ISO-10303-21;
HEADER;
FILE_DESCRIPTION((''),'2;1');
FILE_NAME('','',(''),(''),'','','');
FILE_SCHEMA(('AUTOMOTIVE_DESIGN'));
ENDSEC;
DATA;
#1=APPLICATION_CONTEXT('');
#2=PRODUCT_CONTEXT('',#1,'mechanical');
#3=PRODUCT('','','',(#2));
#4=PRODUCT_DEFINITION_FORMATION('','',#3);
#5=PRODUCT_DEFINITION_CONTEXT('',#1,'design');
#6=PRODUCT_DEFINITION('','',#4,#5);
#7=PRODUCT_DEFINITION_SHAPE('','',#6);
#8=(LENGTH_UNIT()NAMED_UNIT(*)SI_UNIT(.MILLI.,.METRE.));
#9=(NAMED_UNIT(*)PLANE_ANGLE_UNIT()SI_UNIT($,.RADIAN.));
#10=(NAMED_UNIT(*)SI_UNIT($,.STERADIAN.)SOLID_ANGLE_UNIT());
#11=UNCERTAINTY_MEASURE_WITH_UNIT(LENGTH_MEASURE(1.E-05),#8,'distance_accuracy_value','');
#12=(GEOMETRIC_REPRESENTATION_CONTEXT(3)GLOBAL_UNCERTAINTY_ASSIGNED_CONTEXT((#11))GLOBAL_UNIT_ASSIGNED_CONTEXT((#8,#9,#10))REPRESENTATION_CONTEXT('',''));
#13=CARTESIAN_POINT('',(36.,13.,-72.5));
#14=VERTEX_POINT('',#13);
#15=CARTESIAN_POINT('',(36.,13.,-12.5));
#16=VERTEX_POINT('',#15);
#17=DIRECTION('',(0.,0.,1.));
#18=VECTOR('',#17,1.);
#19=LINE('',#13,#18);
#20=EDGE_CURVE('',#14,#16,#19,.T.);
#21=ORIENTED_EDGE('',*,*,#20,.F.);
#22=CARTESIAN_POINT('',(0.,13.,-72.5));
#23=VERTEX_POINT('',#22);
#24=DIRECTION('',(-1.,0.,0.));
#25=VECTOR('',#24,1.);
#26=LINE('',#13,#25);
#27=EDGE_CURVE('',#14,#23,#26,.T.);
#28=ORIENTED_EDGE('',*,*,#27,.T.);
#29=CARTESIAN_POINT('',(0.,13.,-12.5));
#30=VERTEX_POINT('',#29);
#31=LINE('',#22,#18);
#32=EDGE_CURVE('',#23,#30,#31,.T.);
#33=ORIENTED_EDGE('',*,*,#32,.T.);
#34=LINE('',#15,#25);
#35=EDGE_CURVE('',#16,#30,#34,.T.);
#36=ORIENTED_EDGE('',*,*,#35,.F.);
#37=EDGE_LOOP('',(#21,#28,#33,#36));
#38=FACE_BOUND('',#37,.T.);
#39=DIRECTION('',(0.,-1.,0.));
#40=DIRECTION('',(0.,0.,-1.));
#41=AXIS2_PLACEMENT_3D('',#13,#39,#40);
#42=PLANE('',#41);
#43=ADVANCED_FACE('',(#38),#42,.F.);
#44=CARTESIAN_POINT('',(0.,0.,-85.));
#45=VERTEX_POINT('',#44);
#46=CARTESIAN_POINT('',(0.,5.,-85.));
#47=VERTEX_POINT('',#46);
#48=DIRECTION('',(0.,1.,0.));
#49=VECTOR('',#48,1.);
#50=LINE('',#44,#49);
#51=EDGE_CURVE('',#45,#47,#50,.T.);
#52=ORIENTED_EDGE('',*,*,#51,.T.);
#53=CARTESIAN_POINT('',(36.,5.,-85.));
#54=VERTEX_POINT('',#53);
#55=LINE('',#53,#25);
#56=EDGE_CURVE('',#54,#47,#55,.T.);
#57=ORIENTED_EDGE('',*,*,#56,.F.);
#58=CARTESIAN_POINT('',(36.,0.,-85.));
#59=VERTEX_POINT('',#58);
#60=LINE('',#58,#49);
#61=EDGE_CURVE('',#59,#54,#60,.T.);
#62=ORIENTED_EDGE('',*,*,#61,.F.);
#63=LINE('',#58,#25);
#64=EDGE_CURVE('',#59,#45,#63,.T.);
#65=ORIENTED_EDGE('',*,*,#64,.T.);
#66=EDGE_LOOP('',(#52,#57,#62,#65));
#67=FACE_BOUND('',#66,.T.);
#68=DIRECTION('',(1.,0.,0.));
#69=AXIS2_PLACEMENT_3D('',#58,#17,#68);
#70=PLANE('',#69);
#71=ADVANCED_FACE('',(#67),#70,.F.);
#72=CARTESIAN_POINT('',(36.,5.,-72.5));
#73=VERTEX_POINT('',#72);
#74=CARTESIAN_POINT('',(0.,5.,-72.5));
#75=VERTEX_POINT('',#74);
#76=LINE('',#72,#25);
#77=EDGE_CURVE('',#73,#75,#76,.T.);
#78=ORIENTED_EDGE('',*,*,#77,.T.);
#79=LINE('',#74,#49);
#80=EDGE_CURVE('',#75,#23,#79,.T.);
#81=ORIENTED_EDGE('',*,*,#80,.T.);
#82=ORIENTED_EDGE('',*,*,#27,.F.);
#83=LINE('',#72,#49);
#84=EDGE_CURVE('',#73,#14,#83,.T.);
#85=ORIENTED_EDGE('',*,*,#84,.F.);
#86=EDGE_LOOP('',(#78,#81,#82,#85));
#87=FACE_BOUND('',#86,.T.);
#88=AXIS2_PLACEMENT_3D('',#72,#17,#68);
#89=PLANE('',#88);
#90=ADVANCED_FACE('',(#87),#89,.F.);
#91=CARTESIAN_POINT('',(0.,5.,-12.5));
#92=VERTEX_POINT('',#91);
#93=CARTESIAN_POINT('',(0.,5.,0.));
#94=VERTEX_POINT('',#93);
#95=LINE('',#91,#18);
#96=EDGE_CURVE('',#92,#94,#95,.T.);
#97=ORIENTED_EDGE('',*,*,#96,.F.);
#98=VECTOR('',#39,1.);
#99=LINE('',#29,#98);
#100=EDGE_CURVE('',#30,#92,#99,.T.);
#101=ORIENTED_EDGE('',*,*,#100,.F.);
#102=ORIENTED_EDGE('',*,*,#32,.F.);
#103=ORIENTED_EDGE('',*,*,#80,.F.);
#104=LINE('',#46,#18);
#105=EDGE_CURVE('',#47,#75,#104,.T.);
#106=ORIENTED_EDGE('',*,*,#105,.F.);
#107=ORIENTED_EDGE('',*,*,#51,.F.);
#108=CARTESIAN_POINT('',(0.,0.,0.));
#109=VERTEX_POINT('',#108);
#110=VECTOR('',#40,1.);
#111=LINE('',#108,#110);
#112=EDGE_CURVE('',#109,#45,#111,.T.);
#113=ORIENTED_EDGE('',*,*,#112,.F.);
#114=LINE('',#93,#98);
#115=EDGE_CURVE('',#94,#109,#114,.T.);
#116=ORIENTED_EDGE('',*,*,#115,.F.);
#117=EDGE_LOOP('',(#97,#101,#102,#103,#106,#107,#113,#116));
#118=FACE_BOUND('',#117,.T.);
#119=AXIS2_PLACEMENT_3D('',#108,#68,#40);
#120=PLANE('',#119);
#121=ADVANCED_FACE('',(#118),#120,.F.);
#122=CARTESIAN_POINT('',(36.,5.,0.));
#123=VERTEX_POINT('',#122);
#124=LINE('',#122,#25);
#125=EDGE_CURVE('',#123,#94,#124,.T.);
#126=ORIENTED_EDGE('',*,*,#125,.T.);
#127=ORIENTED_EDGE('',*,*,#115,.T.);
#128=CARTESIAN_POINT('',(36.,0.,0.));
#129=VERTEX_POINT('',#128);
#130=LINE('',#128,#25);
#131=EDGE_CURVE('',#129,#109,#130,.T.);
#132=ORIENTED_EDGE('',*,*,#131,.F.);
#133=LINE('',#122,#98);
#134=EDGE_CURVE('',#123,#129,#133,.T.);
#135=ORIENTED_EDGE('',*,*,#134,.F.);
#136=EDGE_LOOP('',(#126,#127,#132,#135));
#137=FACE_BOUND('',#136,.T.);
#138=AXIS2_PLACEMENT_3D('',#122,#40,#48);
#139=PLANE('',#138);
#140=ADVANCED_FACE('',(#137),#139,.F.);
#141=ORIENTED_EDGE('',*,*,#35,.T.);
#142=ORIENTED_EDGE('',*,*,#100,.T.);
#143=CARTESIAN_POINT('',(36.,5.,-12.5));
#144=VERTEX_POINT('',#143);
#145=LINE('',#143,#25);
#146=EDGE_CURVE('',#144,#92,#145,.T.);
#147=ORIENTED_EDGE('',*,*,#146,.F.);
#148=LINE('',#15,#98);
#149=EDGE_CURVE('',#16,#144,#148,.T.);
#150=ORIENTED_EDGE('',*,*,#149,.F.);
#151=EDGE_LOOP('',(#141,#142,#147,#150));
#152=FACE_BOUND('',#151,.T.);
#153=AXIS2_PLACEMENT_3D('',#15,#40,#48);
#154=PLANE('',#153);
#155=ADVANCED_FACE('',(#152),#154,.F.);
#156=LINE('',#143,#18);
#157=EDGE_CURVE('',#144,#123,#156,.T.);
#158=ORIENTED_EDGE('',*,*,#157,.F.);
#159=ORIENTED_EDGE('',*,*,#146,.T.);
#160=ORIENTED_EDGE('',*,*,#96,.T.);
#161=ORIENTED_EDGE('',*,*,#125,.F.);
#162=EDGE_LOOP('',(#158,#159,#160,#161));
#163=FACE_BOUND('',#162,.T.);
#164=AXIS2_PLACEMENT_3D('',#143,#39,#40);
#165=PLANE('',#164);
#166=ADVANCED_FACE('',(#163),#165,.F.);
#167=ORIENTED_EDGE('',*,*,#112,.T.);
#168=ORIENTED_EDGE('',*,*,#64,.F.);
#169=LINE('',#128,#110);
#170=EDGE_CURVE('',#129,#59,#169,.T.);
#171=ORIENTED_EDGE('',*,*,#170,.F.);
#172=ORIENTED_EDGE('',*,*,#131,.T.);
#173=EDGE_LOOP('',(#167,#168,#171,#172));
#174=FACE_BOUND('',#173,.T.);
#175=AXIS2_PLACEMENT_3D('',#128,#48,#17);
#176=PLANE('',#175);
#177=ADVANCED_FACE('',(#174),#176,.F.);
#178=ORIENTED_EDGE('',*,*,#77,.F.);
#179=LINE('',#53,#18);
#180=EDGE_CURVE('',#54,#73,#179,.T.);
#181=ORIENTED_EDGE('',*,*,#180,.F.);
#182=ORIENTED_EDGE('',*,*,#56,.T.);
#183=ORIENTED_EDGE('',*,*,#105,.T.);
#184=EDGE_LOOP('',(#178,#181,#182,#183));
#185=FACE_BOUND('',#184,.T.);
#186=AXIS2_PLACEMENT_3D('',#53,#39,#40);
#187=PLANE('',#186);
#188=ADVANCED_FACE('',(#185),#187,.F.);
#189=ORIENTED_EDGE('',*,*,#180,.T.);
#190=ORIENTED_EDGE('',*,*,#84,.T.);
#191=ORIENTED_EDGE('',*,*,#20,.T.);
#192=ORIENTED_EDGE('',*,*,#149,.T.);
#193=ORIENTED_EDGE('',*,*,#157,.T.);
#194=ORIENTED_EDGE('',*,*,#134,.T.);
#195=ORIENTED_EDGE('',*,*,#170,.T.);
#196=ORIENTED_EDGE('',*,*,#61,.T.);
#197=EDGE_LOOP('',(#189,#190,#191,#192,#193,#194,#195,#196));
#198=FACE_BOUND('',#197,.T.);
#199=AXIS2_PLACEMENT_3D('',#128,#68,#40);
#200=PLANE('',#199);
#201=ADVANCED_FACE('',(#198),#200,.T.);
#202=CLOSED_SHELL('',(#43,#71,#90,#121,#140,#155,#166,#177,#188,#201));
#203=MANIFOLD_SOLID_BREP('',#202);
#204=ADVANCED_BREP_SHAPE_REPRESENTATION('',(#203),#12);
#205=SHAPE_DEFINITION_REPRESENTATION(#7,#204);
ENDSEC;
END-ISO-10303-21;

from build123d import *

# Parameters (mm, degrees)
BOSS_EXTRUDE1_DEPTH = 36


with BuildPart() as part:
    # Sketch1 → Boss-Extrude1 (new body)
    with BuildSketch(Plane(origin=(0, 0, 0), x_dir=(0, 0, -1), z_dir=(1, 0, 0))):
        Polygon((0, 0), (85, 0), (85, 5), (72.5, 5), (72.5, 13), (12.5, 13), (12.5, 5), (0, 5), align=None)
    extrude(amount=BOSS_EXTRUDE1_DEPTH)


solid = part.part
